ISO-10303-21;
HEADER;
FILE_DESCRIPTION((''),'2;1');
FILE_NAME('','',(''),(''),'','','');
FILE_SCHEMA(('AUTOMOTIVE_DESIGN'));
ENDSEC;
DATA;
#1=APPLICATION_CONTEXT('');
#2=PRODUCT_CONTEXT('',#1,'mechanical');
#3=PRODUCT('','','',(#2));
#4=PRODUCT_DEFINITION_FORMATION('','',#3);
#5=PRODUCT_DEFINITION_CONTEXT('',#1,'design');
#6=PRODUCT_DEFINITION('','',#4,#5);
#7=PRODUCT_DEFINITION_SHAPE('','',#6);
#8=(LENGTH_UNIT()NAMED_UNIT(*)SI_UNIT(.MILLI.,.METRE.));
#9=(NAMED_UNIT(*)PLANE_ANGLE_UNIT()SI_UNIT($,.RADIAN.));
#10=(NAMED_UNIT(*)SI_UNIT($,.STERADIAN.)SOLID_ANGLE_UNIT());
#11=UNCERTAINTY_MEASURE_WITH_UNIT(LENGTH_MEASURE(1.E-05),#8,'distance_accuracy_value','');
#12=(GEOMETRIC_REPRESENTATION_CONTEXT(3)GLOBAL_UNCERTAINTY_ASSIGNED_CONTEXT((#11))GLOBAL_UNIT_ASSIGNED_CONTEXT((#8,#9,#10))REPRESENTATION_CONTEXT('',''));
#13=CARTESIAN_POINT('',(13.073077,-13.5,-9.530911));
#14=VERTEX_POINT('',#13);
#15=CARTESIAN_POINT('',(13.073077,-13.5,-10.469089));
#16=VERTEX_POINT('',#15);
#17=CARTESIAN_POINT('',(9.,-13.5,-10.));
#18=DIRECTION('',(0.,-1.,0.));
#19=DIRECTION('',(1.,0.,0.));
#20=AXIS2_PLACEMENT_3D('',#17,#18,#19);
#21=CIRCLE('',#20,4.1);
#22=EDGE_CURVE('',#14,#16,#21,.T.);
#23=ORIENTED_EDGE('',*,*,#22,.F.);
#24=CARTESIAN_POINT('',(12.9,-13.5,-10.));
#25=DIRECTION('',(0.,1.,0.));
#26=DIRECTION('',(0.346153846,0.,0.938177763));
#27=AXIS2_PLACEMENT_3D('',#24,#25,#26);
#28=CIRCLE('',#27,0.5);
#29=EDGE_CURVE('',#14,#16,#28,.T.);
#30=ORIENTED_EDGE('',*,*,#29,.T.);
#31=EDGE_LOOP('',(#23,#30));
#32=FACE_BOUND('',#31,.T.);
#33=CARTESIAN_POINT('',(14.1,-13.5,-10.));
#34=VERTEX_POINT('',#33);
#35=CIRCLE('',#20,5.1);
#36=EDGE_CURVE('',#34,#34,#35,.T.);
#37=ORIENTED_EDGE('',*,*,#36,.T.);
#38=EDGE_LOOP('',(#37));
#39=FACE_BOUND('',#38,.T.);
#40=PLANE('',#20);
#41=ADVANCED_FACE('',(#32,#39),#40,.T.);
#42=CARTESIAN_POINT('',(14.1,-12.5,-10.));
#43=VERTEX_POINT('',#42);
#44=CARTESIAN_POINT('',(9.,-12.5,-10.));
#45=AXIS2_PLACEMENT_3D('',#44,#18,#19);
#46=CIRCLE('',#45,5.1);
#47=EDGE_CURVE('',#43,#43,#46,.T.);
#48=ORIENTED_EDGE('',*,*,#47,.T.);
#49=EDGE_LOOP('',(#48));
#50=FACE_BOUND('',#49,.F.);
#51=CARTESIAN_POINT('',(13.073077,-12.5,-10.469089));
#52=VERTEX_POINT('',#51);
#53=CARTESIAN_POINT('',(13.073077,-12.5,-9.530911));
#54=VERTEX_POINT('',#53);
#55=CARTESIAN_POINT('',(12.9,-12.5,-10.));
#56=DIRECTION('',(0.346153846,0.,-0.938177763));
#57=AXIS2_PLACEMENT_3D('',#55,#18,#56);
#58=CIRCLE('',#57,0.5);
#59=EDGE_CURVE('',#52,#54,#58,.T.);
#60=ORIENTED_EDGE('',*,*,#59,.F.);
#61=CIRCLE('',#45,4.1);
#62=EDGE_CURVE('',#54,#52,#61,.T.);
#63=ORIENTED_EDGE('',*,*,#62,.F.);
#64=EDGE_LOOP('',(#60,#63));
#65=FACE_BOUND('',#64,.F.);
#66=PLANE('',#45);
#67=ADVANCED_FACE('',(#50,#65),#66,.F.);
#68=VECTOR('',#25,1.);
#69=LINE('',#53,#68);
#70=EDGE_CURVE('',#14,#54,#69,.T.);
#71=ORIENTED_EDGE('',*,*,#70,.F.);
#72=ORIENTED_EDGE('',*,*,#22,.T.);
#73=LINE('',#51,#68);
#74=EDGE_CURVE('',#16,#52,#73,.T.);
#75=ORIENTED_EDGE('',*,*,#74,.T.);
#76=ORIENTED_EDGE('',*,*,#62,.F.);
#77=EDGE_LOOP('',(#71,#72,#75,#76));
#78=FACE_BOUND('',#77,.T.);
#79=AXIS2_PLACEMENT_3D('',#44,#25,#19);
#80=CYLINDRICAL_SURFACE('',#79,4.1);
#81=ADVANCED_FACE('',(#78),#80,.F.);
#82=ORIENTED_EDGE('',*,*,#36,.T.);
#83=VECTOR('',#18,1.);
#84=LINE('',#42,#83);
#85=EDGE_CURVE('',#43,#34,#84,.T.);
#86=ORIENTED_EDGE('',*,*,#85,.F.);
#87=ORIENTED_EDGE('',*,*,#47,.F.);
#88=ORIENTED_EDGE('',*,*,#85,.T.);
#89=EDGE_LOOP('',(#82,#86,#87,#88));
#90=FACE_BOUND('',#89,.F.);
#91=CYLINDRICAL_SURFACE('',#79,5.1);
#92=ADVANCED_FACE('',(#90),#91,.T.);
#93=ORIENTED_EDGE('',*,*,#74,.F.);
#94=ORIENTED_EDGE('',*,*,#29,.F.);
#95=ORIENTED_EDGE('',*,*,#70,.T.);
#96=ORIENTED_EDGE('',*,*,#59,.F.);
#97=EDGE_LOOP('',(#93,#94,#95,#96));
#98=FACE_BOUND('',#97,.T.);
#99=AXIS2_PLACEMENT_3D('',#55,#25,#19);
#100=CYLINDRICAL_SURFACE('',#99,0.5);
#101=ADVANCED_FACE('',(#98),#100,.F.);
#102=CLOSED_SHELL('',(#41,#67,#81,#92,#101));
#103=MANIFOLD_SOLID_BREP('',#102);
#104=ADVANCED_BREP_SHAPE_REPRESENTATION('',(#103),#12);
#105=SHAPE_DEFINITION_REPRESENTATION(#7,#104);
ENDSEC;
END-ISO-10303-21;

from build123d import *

# Parameters (mm, degrees)
CYLINDER016_R     = 0.5
CYLINDER016_DEPTH = 1
CYLINDER015_R     = 4.1
CYLINDER015_DEPTH = 1
CYLINDER014_R     = 5.1
CYLINDER014_DEPTH = 1


with BuildPart() as cylinder016:
    # Cylinder016 → Cylinder016 (new body)
    with BuildSketch(Plane(origin=(12.9, -12.5, -10), x_dir=(1, 0, 0), z_dir=(0, -1, 0))):
        Circle(CYLINDER016_R)
    extrude(amount=CYLINDER016_DEPTH)


with BuildPart() as cylinder015:
    # Cylinder015 → Cylinder015 (new body)
    with BuildSketch(Plane(origin=(9, -12.5, -10), x_dir=(1, 0, 0), z_dir=(0, -1, 0))):
        Circle(CYLINDER015_R)
    extrude(amount=CYLINDER015_DEPTH)


with BuildPart() as side_hole_deco:
    # Cylinder014 → Cylinder014 (new body)
    with BuildSketch(Plane(origin=(9, -12.5, -10), x_dir=(1, 0, 0), z_dir=(0, -1, 0))):
        Circle(CYLINDER014_R)
    extrude(amount=CYLINDER014_DEPTH)

    # Cut: cut Cylinder015
    add(cylinder015.part, mode=Mode.SUBTRACT)

    # Cut007: cut Cylinder016
    add(cylinder016.part, mode=Mode.SUBTRACT)


solid = side_hole_deco.part
